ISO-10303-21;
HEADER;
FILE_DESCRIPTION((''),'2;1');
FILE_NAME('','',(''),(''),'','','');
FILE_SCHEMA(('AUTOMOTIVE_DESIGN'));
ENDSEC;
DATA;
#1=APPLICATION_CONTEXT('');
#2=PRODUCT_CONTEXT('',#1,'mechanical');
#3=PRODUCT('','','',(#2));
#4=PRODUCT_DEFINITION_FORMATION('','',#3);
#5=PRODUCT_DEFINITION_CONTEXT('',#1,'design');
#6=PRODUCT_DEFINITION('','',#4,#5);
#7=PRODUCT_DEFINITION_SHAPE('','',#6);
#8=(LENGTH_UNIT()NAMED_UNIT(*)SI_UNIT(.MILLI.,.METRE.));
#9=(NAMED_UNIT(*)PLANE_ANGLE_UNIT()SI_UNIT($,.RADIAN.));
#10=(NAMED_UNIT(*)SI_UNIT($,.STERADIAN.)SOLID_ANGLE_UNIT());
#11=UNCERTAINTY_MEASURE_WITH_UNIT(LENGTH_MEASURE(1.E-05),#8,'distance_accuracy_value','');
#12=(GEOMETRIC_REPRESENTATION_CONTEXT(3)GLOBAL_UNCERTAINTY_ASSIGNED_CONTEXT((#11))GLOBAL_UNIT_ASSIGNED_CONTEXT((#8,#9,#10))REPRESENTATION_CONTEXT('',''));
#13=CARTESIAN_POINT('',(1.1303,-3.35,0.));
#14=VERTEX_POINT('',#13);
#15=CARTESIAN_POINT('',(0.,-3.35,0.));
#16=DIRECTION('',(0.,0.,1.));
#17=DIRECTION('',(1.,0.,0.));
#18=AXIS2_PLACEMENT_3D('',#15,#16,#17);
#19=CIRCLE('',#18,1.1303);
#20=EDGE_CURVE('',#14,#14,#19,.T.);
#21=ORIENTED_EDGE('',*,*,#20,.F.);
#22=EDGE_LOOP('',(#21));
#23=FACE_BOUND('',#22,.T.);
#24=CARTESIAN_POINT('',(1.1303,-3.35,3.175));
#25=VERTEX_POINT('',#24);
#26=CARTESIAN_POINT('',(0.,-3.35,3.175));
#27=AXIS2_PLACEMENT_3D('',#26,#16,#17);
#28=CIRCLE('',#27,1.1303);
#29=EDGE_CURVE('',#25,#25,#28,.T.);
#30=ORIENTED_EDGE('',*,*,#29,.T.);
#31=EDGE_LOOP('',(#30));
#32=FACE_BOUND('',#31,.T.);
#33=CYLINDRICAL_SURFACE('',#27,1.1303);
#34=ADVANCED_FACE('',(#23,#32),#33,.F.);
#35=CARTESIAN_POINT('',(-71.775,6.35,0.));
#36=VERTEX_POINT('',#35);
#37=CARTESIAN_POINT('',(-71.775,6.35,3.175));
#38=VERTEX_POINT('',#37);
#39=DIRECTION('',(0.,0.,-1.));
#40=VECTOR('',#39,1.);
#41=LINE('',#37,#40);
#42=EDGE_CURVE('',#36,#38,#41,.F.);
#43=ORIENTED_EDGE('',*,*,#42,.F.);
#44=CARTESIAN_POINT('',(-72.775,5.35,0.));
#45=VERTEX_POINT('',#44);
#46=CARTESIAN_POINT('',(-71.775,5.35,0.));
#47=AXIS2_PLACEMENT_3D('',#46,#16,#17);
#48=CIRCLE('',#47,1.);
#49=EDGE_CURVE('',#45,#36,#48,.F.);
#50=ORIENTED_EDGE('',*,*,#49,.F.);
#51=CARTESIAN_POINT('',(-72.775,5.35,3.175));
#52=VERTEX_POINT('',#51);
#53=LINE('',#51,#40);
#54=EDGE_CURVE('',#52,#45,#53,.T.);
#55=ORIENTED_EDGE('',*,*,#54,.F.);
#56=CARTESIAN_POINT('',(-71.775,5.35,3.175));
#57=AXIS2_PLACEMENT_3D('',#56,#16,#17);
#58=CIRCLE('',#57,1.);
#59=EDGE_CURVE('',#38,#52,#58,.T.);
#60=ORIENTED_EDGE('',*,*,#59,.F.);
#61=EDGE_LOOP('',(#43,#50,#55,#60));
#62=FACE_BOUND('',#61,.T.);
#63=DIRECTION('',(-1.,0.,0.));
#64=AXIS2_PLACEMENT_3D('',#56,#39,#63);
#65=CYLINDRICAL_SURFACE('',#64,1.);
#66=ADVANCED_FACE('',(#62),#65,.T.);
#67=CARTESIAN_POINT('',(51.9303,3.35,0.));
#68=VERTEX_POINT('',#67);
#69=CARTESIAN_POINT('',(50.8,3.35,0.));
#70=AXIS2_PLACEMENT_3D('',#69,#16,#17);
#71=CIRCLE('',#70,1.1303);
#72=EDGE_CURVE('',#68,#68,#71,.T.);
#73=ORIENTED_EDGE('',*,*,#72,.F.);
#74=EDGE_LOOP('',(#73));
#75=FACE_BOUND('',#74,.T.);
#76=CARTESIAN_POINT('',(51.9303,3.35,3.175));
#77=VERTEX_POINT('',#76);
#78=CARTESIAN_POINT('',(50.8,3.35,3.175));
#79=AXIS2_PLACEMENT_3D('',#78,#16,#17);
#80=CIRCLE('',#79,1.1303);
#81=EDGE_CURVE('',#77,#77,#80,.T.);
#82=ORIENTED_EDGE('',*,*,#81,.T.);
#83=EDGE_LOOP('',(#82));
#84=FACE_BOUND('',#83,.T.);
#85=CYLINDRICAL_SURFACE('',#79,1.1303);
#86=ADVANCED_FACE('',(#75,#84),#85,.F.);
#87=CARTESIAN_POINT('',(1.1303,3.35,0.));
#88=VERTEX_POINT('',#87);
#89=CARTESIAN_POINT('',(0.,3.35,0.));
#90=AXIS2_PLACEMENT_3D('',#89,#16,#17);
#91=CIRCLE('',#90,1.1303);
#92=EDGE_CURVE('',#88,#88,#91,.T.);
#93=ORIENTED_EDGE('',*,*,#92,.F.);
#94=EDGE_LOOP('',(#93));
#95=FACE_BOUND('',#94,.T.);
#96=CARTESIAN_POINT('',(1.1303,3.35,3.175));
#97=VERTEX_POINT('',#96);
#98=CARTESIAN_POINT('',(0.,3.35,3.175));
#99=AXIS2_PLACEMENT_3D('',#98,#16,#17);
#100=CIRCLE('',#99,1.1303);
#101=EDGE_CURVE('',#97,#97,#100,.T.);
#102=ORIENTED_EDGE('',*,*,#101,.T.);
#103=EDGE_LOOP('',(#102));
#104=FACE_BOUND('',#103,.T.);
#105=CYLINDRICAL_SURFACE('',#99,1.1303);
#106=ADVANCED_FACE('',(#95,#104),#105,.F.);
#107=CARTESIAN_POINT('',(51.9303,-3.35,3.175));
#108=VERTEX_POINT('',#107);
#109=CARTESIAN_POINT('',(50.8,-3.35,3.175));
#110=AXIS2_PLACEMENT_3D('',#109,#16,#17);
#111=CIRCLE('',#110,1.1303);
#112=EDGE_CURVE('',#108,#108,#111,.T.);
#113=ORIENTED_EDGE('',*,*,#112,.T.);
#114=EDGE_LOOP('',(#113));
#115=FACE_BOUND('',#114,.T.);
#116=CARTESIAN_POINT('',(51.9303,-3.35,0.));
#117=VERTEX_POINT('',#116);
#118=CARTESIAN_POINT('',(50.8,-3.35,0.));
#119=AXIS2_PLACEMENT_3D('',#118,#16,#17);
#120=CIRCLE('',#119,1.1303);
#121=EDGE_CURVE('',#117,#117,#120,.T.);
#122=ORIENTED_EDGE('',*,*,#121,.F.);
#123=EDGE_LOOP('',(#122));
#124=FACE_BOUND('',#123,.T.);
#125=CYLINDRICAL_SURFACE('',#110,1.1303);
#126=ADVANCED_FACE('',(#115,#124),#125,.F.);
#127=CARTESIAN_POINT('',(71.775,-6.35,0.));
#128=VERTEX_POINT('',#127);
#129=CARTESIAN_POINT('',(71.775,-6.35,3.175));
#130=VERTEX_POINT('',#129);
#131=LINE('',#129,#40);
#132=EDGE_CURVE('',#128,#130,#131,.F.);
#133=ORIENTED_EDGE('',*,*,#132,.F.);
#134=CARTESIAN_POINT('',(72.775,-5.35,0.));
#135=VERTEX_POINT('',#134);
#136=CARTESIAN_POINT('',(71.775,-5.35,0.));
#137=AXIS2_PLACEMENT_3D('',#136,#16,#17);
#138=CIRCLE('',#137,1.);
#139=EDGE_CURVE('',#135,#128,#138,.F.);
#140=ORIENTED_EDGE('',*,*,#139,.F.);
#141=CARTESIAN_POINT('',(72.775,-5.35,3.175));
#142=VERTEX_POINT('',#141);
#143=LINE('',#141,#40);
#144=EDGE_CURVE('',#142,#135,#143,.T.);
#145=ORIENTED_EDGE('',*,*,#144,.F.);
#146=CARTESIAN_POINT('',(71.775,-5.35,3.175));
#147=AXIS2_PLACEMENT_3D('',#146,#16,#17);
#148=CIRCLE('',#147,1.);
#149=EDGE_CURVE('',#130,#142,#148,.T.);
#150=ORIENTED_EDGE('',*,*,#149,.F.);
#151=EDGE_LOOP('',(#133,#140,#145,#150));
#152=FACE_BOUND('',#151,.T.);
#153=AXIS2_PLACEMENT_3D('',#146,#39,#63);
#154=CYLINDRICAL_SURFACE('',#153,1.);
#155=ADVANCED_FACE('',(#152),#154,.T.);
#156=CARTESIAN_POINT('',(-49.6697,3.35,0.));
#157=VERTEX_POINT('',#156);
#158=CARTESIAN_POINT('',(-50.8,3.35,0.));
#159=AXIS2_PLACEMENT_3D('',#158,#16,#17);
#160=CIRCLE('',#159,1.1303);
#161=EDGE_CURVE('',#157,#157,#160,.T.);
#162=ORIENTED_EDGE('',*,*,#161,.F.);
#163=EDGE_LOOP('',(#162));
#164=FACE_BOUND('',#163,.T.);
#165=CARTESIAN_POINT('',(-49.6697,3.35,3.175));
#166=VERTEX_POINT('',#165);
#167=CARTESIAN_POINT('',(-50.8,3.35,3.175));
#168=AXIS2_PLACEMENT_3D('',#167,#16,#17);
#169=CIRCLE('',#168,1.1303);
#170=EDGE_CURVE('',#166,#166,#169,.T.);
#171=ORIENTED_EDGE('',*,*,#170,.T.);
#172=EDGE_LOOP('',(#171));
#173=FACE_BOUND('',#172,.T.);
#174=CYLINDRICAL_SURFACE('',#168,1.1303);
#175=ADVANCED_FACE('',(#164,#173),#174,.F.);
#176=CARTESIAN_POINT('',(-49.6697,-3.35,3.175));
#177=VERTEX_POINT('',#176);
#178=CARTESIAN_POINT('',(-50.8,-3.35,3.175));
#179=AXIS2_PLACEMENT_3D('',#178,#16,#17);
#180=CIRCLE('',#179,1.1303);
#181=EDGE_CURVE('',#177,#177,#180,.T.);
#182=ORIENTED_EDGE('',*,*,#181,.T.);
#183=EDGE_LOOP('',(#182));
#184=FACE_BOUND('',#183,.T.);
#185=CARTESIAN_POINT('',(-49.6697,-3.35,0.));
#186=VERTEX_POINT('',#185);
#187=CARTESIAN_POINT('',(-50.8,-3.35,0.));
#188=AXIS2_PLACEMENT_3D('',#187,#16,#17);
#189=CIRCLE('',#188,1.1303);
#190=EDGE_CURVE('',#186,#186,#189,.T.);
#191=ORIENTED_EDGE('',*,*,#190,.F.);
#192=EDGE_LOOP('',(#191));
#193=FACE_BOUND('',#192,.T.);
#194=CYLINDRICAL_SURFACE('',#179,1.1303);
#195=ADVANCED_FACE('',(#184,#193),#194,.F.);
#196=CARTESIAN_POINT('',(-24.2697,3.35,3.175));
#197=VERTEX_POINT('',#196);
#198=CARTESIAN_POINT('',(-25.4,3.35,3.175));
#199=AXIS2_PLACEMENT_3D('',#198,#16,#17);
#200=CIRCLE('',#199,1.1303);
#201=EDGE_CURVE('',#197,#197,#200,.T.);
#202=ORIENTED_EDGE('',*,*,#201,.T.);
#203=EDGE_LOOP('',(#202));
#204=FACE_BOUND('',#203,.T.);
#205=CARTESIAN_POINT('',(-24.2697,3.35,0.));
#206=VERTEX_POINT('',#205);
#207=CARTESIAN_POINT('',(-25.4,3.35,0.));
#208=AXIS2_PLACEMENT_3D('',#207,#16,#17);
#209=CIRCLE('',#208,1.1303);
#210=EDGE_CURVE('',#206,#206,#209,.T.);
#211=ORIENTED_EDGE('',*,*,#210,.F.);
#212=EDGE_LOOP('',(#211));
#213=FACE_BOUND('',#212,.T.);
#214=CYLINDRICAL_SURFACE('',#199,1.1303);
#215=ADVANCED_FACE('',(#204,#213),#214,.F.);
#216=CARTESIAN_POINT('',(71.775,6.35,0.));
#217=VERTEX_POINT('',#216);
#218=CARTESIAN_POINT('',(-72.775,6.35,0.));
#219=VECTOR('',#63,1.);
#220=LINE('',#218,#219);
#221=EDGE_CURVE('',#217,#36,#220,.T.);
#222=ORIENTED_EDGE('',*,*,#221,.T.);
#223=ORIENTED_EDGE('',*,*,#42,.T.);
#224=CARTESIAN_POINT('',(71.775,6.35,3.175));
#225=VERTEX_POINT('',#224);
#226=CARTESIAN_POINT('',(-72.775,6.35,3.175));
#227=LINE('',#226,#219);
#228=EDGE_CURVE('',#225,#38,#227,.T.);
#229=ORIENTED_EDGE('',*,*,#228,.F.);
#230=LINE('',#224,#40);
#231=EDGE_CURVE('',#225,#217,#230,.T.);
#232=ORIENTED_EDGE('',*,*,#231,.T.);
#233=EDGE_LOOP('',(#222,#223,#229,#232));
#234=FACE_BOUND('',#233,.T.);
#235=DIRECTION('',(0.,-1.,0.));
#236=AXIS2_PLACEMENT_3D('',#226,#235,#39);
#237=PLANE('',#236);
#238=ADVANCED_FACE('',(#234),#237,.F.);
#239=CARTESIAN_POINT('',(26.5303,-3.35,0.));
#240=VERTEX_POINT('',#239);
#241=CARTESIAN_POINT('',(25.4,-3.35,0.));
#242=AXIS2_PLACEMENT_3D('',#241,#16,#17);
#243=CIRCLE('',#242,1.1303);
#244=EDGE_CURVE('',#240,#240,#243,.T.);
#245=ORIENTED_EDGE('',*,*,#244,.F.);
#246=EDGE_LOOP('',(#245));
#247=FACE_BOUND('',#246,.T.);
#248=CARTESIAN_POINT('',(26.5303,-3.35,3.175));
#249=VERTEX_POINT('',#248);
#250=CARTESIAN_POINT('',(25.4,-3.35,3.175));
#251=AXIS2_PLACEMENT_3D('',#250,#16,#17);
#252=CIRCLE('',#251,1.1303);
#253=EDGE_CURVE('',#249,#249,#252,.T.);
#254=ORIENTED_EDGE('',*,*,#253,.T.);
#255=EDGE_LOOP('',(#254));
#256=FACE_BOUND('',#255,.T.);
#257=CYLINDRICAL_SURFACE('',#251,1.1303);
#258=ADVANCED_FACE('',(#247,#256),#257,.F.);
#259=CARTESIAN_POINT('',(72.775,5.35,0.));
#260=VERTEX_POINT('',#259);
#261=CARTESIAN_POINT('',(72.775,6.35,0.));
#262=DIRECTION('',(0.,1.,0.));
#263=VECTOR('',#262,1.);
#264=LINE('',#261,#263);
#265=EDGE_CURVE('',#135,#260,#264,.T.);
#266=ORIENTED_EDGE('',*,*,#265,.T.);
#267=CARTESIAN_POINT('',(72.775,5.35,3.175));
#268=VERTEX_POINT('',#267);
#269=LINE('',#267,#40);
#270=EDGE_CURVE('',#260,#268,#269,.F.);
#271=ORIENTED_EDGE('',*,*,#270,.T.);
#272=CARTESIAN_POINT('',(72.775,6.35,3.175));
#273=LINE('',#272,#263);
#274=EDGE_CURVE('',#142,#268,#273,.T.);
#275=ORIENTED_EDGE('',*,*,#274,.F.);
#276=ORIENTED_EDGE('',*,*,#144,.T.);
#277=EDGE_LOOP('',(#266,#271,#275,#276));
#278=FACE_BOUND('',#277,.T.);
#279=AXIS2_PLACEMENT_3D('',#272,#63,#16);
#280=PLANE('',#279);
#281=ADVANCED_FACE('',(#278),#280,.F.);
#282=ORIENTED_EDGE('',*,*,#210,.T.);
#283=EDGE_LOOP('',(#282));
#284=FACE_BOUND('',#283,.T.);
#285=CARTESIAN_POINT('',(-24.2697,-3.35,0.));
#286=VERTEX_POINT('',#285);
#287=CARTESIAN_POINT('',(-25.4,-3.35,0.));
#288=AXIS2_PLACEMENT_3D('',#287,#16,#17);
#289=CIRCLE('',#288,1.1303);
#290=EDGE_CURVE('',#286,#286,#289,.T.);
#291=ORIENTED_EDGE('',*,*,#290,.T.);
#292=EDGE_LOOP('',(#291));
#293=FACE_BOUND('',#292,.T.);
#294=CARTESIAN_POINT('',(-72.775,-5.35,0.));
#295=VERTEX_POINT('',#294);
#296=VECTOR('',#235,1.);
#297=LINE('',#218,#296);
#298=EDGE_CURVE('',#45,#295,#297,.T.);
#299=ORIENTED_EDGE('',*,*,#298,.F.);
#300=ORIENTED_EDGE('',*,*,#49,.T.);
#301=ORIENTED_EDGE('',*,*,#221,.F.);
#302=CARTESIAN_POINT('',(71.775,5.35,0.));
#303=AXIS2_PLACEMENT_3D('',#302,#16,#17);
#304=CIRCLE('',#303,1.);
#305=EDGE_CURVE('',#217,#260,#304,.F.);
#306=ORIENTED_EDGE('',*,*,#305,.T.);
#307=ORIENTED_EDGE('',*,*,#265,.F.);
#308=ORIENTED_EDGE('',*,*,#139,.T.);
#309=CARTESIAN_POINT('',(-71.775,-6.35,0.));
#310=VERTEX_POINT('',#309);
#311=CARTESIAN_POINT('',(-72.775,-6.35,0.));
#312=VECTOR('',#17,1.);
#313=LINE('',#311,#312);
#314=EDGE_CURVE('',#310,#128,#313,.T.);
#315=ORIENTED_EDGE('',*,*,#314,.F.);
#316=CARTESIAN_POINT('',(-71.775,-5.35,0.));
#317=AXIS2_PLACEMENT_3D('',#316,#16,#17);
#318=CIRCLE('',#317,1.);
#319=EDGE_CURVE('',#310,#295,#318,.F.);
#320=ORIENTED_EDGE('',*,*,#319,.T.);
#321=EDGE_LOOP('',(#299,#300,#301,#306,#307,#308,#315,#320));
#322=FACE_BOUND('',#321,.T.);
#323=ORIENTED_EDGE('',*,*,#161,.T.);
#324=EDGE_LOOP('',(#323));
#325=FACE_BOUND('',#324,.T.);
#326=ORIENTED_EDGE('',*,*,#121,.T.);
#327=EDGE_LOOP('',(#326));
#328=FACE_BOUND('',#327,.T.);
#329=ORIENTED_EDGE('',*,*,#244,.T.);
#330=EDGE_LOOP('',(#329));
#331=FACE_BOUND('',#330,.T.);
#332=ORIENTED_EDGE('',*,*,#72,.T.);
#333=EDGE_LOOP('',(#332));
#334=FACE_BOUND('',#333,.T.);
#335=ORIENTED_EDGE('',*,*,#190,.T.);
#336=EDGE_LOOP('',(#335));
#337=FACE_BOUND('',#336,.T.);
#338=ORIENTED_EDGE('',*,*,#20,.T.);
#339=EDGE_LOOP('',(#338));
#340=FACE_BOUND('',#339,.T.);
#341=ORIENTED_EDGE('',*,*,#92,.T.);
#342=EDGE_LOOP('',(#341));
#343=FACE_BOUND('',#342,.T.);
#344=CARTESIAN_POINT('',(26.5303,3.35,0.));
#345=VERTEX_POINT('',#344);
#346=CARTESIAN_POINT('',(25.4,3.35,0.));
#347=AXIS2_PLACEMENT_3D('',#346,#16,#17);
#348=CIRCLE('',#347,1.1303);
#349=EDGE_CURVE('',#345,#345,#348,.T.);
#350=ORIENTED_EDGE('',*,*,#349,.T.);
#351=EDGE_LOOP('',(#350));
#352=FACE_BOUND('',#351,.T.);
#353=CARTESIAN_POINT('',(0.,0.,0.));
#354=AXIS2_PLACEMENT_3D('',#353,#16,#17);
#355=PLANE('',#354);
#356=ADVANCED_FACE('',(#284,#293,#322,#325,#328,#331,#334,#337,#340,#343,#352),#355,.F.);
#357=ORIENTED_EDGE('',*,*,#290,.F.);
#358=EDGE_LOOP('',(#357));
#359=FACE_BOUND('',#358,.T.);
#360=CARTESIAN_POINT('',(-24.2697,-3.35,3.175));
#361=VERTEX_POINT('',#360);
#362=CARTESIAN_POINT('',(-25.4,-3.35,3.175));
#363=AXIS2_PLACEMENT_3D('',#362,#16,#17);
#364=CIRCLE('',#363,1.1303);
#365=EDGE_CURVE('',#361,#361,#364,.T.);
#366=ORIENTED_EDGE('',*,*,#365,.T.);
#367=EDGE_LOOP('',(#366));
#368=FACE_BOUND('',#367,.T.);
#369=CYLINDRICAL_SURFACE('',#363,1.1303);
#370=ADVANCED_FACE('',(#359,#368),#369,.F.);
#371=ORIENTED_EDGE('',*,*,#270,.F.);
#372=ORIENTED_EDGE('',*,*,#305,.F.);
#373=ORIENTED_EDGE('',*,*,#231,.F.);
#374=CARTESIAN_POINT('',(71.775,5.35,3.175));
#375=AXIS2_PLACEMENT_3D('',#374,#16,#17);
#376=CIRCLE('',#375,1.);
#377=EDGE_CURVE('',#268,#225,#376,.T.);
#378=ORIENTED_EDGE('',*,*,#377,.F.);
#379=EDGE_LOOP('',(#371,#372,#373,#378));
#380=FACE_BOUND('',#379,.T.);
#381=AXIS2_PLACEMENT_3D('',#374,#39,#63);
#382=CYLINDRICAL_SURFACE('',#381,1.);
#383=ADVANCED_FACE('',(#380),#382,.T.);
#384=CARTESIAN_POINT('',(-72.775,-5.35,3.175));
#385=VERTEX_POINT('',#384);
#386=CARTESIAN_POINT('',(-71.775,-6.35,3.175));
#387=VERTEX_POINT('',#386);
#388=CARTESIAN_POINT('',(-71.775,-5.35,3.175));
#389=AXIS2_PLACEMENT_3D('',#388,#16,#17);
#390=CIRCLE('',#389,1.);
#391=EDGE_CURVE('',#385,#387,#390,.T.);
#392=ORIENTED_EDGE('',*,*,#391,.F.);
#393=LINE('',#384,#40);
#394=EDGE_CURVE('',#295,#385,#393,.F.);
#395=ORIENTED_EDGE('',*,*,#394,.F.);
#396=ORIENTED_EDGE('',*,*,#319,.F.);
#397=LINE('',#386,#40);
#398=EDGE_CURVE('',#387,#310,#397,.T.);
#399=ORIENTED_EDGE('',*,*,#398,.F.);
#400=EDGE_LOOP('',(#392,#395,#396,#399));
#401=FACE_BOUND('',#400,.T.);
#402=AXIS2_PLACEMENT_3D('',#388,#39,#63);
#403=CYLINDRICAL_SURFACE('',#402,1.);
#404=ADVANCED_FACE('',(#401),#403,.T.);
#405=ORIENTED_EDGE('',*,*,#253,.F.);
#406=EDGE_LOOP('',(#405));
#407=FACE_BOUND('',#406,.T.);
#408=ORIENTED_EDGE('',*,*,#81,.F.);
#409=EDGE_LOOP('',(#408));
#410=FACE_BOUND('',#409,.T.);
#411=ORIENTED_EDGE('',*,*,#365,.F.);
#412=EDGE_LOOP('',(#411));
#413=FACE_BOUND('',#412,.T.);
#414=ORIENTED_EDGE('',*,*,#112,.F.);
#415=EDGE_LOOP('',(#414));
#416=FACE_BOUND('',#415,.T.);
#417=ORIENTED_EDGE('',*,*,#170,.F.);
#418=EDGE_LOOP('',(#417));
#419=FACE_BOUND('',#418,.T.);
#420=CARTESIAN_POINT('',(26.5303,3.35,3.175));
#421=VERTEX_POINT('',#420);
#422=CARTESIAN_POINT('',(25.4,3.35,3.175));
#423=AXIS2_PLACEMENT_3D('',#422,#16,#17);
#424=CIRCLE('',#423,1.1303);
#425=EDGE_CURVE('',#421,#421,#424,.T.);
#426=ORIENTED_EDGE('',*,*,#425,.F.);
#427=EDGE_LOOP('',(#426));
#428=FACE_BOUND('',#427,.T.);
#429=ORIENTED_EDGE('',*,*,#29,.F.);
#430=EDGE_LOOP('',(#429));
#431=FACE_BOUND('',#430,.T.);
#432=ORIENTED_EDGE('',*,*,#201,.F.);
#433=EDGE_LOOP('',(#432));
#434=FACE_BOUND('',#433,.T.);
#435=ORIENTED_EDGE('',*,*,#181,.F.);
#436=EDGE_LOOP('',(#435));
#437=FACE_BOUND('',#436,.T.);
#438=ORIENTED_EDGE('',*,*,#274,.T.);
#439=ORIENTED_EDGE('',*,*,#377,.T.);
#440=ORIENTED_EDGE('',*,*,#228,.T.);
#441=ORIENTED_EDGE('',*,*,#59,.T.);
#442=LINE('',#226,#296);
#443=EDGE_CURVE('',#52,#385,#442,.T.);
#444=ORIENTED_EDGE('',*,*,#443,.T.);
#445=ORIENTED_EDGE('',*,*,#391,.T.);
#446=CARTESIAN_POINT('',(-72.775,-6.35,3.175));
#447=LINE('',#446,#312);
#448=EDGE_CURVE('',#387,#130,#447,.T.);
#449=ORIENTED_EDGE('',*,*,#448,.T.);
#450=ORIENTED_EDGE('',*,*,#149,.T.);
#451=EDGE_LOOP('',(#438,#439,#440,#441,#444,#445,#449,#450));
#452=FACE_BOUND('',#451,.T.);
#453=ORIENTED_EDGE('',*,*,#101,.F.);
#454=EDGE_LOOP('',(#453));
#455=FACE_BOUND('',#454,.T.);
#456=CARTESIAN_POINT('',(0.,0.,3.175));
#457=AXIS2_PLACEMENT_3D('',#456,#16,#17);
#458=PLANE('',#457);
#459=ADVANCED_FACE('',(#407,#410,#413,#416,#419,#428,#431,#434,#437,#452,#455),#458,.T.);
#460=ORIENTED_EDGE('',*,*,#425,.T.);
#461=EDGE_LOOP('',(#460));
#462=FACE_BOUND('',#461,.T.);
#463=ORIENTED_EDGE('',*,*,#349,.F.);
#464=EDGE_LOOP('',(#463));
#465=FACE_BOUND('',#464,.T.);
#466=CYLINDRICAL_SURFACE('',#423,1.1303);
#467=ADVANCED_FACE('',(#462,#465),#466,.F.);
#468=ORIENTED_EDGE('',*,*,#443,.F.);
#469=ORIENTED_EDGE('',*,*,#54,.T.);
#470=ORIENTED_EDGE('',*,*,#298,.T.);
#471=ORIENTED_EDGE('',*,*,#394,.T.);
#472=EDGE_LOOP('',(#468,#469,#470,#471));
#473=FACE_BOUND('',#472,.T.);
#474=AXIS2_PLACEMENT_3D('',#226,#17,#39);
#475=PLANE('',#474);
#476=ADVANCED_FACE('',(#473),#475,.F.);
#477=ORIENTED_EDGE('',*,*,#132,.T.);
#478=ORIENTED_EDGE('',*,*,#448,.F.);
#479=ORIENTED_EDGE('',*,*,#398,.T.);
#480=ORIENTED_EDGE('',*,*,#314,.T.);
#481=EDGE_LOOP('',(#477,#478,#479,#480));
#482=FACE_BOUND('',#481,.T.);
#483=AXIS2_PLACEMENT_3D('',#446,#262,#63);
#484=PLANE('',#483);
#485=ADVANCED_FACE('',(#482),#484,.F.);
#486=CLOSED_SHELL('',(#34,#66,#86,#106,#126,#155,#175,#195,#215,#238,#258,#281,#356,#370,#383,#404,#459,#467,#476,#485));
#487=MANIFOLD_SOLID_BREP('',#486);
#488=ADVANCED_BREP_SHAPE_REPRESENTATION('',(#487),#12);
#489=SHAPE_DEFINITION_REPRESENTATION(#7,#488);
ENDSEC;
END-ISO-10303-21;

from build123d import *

# Parameters (mm, degrees)
SKETCH1_W             = 145.55
SKETCH1_H             = 12.7
BOSS_EXTRUDE1_DEPTH   = 3.175
F_4_40_TAPPED_HOLE1_D = 2.2606
LPATTERN1_COUNT       = 5
LPATTERN1_PITCH       = 25.4
FILLET1_R             = 1


with BuildPart() as part:
    # Sketch1 → Boss-Extrude1 (new body)
    with BuildSketch(Plane.XY):
        Rectangle(SKETCH1_W, SKETCH1_H)
    extrude(amount=BOSS_EXTRUDE1_DEPTH)

    # #4-40 Tapped Hole1 (through all)
    with Locations(Plane(origin=(-50.8, 3.35, 3.175), x_dir=(1, 0, 0), z_dir=(0, 0, 1))):
        with Locations((0, 0), (0, -6.7)):
            f_4_40_tapped_hole1 = Hole(F_4_40_TAPPED_HOLE1_D / 2)

    # LPattern1: #4-40 Tapped Hole1 ×5
    with Locations(*[(i * LPATTERN1_PITCH, 0, 0) for i in range(1, LPATTERN1_COUNT)]):
        add(f_4_40_tapped_hole1, mode=Mode.SUBTRACT)

    # Fillet1
    fillet1_edges = [part.edges().sort_by_distance(p)[0] for p in [
        (-72.775, 6.35, 1.5875),
        (72.775, 6.35, 1.5875),
        (72.775, -6.35, 1.5875),
        (-72.775, -6.35, 1.5875),
    ]]
    fillet(fillet1_edges, radius=FILLET1_R)


solid = part.part
